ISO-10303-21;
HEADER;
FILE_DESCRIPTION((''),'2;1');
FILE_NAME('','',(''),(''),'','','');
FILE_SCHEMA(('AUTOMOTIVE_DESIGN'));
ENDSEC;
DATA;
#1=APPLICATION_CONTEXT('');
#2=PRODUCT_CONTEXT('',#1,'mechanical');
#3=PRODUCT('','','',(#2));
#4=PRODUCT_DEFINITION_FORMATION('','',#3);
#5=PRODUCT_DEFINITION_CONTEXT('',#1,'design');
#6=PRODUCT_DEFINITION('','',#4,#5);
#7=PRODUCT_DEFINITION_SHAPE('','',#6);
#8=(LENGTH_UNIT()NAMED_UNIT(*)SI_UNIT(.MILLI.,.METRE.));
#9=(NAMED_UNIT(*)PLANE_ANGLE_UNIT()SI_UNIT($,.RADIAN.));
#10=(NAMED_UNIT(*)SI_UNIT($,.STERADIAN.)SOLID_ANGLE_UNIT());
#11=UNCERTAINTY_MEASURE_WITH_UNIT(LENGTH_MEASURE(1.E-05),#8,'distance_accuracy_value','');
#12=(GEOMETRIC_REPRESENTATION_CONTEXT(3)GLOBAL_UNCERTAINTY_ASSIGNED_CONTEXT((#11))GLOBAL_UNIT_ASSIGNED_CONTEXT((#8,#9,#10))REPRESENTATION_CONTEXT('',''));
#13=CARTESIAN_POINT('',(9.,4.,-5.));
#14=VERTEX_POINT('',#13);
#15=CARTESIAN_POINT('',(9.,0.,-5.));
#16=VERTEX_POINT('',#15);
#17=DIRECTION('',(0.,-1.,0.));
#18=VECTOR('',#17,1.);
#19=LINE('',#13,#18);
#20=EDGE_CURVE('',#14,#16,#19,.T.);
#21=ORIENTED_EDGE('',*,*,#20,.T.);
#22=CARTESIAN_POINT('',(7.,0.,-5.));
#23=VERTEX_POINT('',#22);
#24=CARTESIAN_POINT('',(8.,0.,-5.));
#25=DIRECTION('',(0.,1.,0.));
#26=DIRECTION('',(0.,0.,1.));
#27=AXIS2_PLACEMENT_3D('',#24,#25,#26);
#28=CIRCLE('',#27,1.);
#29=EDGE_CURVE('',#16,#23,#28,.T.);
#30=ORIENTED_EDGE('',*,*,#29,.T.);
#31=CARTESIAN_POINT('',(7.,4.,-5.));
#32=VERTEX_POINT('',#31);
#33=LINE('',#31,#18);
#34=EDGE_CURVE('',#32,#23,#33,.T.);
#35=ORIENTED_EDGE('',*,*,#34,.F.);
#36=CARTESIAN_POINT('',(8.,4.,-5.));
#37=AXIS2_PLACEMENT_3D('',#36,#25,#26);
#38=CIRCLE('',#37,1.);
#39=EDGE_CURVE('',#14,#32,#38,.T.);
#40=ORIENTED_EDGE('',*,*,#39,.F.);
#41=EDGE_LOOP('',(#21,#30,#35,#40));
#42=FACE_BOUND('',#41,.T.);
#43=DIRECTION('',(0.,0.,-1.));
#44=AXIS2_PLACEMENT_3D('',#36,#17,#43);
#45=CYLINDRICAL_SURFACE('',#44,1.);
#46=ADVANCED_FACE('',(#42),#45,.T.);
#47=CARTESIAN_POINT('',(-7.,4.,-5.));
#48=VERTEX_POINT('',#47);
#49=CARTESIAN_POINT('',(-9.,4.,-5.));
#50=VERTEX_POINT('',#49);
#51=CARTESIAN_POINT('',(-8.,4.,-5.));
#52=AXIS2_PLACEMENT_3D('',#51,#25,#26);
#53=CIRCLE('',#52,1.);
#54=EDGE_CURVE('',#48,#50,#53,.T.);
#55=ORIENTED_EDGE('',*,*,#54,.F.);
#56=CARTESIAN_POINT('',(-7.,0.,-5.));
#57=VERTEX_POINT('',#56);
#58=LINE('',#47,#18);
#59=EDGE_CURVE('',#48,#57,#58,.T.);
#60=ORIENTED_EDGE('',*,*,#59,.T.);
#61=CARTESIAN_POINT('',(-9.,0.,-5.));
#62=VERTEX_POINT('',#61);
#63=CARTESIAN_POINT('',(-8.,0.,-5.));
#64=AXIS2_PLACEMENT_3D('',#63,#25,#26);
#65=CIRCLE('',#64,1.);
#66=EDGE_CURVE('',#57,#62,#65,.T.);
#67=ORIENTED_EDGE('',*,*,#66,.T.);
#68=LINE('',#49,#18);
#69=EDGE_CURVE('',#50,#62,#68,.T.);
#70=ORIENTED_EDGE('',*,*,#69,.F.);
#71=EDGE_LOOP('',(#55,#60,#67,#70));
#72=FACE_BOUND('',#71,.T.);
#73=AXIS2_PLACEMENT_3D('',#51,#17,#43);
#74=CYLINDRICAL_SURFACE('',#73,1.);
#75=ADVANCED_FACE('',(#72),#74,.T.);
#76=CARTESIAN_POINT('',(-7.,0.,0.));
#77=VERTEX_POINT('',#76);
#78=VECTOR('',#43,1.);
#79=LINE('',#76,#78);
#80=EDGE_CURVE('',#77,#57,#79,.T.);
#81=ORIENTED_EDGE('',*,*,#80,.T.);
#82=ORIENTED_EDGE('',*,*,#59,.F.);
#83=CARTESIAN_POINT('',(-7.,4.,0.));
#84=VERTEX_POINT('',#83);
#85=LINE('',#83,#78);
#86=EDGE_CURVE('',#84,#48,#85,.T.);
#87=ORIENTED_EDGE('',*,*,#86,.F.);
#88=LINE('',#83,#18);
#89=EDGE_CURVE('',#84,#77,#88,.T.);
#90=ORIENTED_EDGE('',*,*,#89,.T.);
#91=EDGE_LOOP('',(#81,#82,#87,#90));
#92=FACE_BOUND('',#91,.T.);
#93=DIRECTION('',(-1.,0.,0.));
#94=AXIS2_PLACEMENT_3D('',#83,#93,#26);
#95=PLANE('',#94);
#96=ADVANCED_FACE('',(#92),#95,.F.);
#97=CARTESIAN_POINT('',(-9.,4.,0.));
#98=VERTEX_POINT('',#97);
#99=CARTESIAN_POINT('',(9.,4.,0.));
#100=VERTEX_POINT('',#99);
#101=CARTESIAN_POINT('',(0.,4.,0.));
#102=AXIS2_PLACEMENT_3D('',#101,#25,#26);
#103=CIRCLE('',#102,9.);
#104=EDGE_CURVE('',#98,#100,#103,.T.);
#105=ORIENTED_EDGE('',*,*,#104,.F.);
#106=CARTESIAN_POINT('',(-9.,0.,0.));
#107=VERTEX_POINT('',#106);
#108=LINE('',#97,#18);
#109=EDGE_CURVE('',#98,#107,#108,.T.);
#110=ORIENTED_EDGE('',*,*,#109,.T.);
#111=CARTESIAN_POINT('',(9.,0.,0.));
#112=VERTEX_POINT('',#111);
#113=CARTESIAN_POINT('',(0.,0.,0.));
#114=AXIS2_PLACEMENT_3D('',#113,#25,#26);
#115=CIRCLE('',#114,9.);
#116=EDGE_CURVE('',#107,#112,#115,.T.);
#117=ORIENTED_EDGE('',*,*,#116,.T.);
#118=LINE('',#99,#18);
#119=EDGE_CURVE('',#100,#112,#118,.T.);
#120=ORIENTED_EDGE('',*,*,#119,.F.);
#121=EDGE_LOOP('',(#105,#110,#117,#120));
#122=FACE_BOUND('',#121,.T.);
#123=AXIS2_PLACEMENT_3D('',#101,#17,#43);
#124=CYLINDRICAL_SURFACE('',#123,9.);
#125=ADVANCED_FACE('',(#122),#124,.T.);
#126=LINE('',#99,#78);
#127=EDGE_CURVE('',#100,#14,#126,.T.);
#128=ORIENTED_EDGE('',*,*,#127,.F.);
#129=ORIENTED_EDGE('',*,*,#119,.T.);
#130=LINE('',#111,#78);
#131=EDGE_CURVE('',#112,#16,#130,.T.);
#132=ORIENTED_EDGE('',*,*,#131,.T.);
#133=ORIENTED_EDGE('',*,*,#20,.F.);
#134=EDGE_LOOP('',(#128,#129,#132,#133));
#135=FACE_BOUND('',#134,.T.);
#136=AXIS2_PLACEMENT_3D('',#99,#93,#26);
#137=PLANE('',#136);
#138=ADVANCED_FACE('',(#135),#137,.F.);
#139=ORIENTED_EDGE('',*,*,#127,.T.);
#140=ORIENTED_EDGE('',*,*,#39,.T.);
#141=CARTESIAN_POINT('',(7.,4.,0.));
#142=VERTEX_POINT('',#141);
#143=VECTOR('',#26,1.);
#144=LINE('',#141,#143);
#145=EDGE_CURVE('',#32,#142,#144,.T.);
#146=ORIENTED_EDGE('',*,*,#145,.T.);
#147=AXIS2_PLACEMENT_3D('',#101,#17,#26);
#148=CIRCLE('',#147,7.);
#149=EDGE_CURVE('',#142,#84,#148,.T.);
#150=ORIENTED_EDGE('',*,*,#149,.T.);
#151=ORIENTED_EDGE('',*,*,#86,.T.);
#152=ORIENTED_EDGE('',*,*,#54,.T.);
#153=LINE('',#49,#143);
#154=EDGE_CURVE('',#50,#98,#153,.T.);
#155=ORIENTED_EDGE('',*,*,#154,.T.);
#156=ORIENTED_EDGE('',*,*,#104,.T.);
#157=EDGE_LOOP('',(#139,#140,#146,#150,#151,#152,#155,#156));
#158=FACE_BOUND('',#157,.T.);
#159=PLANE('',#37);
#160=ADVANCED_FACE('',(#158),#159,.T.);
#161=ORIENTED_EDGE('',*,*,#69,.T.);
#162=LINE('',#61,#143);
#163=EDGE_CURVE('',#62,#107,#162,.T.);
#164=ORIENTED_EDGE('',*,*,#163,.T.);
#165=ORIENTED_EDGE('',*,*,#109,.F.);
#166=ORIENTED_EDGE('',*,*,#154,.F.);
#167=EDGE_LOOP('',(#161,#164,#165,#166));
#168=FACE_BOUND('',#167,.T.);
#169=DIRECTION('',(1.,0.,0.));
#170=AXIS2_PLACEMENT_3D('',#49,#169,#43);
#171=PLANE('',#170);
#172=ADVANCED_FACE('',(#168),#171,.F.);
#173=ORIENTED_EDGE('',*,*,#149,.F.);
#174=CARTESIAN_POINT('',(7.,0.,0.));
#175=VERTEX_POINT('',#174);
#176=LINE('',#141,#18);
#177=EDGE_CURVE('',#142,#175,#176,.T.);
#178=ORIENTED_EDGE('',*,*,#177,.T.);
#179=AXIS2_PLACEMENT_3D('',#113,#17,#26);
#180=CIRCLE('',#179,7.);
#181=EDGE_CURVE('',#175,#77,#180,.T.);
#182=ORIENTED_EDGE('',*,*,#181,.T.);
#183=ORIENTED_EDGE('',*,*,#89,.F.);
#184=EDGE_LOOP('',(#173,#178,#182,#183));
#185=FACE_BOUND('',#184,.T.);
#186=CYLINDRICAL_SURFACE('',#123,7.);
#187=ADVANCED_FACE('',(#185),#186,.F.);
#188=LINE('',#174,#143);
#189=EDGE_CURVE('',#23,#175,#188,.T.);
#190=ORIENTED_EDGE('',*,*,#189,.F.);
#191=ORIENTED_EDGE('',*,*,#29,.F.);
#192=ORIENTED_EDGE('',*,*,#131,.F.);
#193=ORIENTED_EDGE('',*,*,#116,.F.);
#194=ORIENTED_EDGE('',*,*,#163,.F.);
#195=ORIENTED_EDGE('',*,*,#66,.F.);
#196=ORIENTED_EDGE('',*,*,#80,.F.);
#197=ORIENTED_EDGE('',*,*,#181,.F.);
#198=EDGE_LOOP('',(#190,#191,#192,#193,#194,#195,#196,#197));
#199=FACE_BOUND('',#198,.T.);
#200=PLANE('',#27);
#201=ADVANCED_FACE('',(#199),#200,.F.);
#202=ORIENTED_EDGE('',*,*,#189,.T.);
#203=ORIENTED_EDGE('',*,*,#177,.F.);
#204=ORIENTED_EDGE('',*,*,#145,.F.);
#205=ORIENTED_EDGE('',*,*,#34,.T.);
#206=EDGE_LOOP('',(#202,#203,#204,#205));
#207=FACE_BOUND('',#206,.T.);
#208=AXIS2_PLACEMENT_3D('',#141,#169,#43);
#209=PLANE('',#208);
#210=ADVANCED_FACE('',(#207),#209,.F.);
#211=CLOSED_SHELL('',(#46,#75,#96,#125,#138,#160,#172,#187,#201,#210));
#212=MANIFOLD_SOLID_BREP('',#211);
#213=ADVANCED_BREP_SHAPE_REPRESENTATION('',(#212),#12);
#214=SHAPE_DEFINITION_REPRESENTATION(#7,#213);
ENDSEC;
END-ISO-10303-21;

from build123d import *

# Parameters (mm, degrees)
BOSS_EXTRUDE1_DEPTH = 4


with BuildPart() as part:
    # Sketch1 → Boss-Extrude1 (new body)
    with BuildSketch(Plane(origin=(0, 0, 0), x_dir=(1, 0, 0), z_dir=(0, 1, 0))):
        with BuildLine():
            Line((-9, 5), (-9, 0))
            ThreePointArc((-9, 0), (0, -9), (9, 0))
            Line((9, 0), (9, 5))
            ThreePointArc((9, 5), (8, 6), (7, 5))
            Line((7, 5), (7, 0))
            ThreePointArc((7, 0), (0, -7), (-7, 0))
            Line((-7, 0), (-7, 5))
            ThreePointArc((-7, 5), (-8, 6), (-9, 5))
        make_face()
    extrude(amount=BOSS_EXTRUDE1_DEPTH)


solid = part.part
